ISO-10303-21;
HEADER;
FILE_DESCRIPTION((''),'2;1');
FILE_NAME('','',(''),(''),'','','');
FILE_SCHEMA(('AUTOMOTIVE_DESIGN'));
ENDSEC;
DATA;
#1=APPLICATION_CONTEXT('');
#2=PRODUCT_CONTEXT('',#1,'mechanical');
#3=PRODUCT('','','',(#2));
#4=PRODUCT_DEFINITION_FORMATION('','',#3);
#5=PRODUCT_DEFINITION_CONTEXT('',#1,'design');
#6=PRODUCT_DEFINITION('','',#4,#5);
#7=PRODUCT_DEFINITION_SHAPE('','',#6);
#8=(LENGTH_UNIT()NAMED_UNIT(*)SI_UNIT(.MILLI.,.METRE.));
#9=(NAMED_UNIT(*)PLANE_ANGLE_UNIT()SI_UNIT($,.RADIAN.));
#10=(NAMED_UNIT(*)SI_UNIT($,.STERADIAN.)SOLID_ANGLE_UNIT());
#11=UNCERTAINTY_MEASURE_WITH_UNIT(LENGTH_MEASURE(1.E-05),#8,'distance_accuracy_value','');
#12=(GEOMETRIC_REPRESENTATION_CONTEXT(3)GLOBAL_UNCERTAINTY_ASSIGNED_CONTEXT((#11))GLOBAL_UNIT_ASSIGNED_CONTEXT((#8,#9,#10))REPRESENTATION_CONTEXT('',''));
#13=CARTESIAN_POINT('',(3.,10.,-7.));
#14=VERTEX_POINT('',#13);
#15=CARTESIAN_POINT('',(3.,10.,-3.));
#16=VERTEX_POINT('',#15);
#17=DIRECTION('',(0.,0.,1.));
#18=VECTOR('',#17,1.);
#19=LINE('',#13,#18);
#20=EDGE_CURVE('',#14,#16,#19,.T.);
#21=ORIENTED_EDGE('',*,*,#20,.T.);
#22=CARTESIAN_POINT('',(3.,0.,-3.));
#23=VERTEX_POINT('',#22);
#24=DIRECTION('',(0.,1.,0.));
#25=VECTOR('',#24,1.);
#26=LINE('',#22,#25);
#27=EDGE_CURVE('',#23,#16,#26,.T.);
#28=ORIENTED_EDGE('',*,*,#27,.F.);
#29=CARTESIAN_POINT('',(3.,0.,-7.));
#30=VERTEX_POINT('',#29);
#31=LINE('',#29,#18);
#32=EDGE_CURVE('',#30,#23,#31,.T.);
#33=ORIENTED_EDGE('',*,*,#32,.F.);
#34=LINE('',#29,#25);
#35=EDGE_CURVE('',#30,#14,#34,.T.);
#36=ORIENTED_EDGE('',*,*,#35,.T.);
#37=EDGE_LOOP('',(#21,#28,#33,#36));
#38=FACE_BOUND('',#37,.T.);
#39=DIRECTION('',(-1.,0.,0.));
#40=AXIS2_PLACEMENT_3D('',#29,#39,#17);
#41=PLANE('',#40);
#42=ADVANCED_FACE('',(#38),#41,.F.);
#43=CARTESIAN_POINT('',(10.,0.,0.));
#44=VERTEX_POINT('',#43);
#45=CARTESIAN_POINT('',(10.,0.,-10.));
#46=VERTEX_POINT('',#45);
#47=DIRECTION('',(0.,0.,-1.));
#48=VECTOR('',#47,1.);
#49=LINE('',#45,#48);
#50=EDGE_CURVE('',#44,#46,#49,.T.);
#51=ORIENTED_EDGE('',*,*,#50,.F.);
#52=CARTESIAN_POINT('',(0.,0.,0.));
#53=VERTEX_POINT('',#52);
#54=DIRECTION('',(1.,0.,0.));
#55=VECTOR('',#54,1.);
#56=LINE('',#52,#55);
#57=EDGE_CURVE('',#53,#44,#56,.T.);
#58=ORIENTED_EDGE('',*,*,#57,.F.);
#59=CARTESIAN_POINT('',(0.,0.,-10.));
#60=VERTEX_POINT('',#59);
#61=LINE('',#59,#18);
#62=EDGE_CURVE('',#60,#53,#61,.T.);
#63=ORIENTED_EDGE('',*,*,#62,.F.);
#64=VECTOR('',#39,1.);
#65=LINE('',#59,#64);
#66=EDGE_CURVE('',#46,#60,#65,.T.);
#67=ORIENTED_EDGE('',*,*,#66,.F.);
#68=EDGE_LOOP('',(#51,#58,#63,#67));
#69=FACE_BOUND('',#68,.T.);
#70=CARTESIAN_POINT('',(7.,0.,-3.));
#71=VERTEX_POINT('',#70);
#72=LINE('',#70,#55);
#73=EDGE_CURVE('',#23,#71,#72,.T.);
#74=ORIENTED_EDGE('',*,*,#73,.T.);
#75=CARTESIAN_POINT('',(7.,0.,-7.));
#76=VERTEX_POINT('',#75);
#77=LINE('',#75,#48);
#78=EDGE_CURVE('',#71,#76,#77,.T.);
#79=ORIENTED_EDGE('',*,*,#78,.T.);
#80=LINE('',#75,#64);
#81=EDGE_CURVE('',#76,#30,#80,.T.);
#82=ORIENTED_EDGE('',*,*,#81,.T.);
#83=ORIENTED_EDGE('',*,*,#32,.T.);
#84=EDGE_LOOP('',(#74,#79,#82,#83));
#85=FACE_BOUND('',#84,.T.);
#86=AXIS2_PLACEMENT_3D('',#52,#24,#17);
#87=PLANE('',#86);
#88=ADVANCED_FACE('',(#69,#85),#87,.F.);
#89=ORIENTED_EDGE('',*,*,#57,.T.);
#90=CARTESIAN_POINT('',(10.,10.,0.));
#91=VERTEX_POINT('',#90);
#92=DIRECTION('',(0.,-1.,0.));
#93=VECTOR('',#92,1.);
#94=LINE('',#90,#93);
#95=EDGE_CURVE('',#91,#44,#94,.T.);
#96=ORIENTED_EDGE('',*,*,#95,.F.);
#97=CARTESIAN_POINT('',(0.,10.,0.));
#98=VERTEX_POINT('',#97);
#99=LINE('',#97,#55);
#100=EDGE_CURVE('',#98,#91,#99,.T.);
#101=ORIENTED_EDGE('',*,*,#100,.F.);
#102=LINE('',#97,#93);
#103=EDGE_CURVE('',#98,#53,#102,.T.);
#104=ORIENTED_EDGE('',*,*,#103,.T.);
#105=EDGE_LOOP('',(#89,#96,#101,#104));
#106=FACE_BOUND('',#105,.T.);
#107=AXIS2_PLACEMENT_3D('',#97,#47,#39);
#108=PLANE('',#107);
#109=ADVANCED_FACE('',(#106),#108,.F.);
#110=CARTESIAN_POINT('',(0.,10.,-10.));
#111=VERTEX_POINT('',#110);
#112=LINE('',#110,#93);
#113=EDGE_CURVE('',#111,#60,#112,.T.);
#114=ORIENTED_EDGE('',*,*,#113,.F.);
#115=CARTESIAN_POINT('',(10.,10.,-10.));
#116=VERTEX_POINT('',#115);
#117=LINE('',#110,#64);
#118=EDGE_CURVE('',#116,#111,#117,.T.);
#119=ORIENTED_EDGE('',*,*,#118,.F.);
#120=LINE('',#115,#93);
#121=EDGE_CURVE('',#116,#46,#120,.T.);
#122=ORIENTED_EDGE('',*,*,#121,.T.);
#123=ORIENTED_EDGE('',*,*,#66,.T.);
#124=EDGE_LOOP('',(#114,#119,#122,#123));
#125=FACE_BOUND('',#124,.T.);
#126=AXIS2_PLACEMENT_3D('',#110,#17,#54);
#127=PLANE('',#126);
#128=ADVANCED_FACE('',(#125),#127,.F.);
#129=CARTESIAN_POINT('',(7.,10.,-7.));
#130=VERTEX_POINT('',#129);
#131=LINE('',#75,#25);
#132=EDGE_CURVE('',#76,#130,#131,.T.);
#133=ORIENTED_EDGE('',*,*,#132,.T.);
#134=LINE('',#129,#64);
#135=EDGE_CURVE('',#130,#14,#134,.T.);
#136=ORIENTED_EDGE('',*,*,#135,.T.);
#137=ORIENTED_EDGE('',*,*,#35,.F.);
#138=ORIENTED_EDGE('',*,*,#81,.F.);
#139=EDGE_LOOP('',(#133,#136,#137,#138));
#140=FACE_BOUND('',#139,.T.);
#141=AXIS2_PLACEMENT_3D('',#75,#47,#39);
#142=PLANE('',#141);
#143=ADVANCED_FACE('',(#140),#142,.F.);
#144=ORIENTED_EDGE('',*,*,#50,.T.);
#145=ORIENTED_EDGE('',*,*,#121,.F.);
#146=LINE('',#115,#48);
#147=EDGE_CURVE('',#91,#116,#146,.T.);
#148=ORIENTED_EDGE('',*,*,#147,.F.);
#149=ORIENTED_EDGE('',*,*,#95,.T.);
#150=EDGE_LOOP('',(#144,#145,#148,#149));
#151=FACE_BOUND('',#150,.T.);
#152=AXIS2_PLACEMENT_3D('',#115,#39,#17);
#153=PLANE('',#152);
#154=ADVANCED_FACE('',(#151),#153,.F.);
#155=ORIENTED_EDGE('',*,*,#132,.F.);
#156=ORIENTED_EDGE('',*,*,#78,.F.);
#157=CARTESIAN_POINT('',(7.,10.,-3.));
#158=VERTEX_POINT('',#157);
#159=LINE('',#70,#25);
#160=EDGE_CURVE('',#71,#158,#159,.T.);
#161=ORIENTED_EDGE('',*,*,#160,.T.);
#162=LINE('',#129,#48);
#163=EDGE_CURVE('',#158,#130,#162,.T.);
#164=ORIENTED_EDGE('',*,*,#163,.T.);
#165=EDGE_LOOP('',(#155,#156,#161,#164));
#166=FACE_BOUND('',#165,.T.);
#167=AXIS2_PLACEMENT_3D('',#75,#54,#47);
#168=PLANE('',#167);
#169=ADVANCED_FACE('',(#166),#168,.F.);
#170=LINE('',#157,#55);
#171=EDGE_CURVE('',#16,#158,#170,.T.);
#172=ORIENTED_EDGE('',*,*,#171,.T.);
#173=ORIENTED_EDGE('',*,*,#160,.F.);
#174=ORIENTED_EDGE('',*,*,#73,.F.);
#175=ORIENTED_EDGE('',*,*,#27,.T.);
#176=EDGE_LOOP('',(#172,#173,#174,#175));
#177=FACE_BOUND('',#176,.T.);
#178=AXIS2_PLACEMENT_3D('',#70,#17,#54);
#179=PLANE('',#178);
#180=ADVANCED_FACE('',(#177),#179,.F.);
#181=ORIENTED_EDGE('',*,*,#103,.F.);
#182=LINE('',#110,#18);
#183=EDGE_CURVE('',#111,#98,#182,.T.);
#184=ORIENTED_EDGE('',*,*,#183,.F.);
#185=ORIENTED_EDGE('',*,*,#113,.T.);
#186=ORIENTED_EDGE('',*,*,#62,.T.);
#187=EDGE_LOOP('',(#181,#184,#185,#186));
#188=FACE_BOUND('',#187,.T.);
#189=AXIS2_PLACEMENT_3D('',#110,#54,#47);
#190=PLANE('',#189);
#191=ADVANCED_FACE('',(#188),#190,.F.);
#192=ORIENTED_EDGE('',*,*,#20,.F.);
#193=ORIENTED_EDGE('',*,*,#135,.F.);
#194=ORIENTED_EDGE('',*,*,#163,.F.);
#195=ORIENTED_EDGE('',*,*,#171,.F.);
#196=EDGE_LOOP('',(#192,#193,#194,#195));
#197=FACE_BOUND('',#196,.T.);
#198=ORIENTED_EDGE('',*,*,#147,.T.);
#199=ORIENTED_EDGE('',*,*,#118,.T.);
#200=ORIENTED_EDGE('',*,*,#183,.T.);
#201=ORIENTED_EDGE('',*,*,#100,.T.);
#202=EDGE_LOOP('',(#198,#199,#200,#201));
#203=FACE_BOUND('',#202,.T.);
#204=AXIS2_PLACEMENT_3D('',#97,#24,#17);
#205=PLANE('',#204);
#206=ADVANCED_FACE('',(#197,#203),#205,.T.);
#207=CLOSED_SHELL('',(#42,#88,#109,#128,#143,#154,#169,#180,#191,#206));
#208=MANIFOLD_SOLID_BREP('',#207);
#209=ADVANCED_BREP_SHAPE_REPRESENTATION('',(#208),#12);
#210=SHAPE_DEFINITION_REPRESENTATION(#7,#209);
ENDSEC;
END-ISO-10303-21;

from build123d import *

# Parameters (mm, degrees)
SKETCH1_W           = 10
SKETCH1_H           = 10
BOSS_EXTRUDE1_DEPTH = 10
SKETCH2_W           = 4
SKETCH2_H           = 4
CUT_EXTRUDE1_DEPTH  = 11


with BuildPart() as part:
    # Sketch1 → Boss-Extrude1 (new body)
    with BuildSketch(Plane(origin=(0, 0, 0), x_dir=(1, 0, 0), z_dir=(0, 1, 0))):
        with Locations((5, 5)):
            Rectangle(SKETCH1_W, SKETCH1_H)
    extrude(amount=BOSS_EXTRUDE1_DEPTH)

    # Sketch2 → Cut-Extrude1 (cut, through all)
    with BuildSketch(Plane(origin=(0, 10, 0), x_dir=(1, 0, 0), z_dir=(0, 1, 0))):
        with Locations((5, 5)):
            Rectangle(SKETCH2_W, SKETCH2_H)
    extrude(amount=-CUT_EXTRUDE1_DEPTH, mode=Mode.SUBTRACT)


solid = part.part
